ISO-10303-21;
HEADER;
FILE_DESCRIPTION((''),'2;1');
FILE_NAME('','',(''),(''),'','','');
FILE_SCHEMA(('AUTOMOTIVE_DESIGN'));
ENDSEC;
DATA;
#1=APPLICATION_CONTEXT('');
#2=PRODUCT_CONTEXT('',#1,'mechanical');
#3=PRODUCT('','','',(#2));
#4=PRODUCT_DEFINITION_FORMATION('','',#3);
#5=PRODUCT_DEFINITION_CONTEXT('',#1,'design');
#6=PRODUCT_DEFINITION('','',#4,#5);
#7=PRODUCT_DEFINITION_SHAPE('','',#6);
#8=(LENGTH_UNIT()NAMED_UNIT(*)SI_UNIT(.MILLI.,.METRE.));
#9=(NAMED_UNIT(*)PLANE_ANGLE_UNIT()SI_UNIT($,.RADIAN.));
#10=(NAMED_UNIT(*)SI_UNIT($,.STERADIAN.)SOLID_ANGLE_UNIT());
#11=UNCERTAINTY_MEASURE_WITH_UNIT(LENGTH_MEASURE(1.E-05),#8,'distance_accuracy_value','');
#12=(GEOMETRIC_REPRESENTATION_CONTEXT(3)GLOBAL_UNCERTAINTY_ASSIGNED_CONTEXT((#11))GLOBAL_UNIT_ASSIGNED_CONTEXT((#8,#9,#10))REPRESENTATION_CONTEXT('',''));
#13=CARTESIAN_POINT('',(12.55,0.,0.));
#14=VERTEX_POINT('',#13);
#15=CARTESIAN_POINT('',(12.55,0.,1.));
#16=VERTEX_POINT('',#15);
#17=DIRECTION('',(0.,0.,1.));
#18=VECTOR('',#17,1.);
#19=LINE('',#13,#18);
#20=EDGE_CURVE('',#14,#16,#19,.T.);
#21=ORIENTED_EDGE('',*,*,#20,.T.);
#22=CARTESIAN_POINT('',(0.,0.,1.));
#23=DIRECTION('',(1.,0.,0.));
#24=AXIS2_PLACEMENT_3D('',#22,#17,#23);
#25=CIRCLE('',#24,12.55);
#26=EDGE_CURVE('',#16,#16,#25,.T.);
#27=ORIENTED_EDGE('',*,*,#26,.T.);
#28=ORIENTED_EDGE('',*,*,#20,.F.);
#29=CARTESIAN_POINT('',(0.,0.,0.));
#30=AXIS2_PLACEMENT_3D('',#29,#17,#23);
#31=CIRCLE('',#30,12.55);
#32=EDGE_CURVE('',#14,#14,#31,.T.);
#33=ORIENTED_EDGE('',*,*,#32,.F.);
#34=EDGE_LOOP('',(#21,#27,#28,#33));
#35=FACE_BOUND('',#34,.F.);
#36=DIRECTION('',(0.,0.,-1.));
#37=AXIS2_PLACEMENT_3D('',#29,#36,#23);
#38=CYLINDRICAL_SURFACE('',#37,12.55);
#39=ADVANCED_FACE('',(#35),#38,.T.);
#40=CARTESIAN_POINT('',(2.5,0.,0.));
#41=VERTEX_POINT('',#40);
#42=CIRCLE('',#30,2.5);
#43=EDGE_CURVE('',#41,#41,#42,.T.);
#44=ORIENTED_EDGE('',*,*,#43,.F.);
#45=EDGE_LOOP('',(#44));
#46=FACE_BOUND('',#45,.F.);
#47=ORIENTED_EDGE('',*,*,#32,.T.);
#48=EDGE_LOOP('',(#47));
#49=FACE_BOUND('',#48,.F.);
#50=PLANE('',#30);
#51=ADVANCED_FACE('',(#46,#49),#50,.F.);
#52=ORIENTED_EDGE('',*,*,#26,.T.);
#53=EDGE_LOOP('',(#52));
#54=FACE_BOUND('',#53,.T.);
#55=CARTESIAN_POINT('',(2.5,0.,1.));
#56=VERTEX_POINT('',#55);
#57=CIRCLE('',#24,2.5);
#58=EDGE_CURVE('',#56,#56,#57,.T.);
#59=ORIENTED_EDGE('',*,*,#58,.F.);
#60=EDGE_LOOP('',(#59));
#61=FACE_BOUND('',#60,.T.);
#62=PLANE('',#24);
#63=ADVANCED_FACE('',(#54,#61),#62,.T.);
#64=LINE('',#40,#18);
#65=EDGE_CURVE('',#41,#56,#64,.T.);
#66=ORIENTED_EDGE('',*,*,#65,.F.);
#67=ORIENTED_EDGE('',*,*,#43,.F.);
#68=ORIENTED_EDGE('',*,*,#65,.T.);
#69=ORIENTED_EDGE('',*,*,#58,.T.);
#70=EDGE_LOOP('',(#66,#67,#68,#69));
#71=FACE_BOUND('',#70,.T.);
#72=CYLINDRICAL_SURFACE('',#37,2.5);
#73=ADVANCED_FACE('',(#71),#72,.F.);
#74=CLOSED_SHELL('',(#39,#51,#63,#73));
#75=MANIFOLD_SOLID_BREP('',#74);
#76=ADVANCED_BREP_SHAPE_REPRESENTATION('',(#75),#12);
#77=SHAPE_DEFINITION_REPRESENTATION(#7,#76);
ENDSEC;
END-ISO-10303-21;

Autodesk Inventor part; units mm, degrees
ref_plane "YZ Plane" through (0, 0, 0) normal (1, 0, 0) x (0, 1, 0)
ref_plane "XZ Plane" through (0, 0, 0) normal (0, 1, 0) x (-1, 0, 0)
ref_plane "XY Plane" through (0, 0, 0) normal (0, 0, 1) x (1, 0, 0)
sketch "Sketch1" plane through (0, 0, 0) normal (0, 0, 1) x (1, 0, 0)
  circle A0 centre (0, 0) radius 12.55
  circle A1 centre (0, 0) radius 2.5
  dimension "d0" = 25.1
  dimension "d1" = 5
extrude "Extrusion1" add sketch "Sketch1" along normal blind 1
properties part number "cooling_element" material "Aluminum 6061"
